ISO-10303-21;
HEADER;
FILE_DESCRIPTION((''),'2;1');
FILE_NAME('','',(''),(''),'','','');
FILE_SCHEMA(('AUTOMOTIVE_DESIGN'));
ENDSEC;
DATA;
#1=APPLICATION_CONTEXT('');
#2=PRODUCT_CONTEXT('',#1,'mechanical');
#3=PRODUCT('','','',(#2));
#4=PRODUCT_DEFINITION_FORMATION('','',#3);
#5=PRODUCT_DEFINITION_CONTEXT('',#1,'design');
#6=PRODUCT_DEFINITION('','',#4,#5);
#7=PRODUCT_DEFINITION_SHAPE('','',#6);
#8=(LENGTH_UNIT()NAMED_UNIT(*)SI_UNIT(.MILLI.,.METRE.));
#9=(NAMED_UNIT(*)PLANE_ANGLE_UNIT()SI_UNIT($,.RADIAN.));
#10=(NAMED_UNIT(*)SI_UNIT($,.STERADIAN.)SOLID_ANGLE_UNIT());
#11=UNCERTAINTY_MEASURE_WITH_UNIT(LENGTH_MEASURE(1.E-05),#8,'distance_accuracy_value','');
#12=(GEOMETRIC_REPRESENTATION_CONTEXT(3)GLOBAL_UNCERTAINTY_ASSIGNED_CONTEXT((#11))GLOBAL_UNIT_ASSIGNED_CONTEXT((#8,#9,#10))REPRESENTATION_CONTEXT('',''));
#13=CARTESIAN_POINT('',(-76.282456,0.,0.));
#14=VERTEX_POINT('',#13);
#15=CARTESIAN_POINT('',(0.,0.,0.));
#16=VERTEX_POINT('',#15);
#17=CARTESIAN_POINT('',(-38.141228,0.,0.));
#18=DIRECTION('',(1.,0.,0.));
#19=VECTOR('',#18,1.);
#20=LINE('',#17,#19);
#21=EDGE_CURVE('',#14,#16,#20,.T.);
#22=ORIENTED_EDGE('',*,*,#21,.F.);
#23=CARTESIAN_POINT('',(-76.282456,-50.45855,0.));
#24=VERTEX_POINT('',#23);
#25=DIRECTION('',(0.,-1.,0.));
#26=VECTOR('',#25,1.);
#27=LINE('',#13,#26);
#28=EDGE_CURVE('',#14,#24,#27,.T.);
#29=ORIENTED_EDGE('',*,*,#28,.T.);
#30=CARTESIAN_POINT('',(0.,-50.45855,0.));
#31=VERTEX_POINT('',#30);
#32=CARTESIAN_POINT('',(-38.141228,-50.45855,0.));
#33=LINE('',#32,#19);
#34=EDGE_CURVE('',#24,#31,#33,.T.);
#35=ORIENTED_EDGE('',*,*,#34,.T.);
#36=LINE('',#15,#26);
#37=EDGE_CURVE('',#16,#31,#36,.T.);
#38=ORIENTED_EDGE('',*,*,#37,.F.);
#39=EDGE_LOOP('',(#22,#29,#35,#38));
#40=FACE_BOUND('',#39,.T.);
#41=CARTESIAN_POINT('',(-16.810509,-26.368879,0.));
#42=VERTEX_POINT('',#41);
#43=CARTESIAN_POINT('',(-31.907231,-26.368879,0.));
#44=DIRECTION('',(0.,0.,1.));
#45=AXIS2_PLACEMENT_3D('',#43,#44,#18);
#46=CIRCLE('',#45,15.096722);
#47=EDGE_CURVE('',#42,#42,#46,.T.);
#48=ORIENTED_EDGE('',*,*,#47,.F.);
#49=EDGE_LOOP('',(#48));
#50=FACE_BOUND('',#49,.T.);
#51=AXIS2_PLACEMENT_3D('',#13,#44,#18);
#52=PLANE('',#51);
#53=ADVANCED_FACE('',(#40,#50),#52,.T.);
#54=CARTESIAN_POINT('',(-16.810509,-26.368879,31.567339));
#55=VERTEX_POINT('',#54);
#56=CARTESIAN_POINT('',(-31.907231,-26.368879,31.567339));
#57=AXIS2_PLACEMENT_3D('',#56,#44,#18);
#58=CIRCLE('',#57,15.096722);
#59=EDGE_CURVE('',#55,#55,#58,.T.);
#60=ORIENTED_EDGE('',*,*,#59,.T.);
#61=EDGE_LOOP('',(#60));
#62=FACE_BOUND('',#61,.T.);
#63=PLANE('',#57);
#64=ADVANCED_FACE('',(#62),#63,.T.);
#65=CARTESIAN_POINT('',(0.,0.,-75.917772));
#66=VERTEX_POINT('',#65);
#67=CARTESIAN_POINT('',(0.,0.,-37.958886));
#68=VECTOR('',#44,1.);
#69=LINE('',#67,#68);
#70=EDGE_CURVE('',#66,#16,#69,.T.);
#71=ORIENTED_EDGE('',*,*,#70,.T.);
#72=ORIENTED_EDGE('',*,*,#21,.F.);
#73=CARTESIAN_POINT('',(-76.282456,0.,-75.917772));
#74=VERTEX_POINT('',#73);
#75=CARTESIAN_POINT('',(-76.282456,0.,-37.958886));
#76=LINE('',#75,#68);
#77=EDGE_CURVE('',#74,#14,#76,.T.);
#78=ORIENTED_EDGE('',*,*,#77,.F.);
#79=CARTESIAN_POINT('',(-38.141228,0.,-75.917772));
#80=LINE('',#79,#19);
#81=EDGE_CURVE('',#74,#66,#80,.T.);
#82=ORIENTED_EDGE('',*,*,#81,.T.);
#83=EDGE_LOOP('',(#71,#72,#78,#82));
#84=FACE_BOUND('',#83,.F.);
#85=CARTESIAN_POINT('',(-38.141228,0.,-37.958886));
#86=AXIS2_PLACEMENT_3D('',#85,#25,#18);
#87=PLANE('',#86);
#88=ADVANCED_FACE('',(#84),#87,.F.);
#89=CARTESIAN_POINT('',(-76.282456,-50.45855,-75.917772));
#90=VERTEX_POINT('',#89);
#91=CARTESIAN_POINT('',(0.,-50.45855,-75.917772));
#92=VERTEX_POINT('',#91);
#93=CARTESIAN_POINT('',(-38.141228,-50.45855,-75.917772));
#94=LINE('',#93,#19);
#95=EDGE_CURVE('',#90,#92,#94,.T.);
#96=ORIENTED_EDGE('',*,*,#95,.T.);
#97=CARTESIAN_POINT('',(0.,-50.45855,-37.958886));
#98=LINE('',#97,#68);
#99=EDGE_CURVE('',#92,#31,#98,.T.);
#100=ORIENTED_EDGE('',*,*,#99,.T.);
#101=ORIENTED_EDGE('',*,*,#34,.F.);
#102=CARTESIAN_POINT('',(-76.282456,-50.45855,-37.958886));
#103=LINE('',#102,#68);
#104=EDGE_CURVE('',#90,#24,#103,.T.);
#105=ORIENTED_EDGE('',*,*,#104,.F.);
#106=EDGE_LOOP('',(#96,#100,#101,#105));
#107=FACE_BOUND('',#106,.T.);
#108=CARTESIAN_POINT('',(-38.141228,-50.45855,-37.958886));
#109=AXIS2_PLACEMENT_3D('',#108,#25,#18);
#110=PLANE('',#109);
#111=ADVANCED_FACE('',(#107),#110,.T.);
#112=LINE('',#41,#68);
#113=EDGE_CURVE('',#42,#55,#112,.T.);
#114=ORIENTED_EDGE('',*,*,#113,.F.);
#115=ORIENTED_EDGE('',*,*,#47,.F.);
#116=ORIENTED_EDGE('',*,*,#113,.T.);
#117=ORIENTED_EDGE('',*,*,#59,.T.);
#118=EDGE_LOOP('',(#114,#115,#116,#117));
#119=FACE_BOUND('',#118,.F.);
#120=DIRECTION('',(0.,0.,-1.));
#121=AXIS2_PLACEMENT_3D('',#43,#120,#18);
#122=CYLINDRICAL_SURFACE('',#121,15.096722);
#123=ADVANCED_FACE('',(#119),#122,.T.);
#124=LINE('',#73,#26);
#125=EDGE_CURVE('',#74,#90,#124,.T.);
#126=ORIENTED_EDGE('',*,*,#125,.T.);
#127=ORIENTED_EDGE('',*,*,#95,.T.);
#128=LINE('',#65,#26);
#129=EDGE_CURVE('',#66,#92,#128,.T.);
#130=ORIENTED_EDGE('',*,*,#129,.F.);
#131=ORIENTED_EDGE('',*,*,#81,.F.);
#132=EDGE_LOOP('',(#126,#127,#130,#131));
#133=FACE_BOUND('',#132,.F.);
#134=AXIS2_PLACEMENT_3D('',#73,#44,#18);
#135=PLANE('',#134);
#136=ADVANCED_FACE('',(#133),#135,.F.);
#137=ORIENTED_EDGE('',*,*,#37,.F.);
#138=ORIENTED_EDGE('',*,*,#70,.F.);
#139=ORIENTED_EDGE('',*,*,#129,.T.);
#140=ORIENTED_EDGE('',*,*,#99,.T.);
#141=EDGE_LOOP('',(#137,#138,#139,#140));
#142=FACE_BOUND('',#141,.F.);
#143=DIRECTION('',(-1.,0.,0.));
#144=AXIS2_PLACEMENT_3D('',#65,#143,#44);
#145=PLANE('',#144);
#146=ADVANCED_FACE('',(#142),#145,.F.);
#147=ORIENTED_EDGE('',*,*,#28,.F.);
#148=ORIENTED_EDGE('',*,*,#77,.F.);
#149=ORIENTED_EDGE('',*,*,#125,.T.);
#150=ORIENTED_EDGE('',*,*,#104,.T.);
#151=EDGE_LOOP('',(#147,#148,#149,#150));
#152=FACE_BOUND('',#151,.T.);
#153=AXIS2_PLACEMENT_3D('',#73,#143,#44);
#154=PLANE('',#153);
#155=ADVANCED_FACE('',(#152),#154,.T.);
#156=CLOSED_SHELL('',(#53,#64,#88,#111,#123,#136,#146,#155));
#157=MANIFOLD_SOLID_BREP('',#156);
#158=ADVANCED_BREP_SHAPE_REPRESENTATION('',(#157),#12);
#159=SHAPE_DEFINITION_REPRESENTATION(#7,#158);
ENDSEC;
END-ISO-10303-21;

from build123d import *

# Parameters (mm, degrees)
F0_W     = 76.282457
F0_H     = 75.917773
F1_DEPTH = 50.45855
F2_R     = 15.096722
F3_DEPTH = 31.567339


with BuildPart() as f1:
    # F0 (on Front) → F1 (new body)
    with BuildSketch(Plane.XZ):
        with Locations((-38.141228, -37.958886)):
            Rectangle(F0_W, F0_H)
    extrude(amount=F1_DEPTH)

    # F2 (on face) → F3 (join)
    with BuildSketch(Plane.XY):
        with Locations((-31.907231, -26.368879)):
            Circle(F2_R)
    extrude(amount=F3_DEPTH)


solid = f1.part
